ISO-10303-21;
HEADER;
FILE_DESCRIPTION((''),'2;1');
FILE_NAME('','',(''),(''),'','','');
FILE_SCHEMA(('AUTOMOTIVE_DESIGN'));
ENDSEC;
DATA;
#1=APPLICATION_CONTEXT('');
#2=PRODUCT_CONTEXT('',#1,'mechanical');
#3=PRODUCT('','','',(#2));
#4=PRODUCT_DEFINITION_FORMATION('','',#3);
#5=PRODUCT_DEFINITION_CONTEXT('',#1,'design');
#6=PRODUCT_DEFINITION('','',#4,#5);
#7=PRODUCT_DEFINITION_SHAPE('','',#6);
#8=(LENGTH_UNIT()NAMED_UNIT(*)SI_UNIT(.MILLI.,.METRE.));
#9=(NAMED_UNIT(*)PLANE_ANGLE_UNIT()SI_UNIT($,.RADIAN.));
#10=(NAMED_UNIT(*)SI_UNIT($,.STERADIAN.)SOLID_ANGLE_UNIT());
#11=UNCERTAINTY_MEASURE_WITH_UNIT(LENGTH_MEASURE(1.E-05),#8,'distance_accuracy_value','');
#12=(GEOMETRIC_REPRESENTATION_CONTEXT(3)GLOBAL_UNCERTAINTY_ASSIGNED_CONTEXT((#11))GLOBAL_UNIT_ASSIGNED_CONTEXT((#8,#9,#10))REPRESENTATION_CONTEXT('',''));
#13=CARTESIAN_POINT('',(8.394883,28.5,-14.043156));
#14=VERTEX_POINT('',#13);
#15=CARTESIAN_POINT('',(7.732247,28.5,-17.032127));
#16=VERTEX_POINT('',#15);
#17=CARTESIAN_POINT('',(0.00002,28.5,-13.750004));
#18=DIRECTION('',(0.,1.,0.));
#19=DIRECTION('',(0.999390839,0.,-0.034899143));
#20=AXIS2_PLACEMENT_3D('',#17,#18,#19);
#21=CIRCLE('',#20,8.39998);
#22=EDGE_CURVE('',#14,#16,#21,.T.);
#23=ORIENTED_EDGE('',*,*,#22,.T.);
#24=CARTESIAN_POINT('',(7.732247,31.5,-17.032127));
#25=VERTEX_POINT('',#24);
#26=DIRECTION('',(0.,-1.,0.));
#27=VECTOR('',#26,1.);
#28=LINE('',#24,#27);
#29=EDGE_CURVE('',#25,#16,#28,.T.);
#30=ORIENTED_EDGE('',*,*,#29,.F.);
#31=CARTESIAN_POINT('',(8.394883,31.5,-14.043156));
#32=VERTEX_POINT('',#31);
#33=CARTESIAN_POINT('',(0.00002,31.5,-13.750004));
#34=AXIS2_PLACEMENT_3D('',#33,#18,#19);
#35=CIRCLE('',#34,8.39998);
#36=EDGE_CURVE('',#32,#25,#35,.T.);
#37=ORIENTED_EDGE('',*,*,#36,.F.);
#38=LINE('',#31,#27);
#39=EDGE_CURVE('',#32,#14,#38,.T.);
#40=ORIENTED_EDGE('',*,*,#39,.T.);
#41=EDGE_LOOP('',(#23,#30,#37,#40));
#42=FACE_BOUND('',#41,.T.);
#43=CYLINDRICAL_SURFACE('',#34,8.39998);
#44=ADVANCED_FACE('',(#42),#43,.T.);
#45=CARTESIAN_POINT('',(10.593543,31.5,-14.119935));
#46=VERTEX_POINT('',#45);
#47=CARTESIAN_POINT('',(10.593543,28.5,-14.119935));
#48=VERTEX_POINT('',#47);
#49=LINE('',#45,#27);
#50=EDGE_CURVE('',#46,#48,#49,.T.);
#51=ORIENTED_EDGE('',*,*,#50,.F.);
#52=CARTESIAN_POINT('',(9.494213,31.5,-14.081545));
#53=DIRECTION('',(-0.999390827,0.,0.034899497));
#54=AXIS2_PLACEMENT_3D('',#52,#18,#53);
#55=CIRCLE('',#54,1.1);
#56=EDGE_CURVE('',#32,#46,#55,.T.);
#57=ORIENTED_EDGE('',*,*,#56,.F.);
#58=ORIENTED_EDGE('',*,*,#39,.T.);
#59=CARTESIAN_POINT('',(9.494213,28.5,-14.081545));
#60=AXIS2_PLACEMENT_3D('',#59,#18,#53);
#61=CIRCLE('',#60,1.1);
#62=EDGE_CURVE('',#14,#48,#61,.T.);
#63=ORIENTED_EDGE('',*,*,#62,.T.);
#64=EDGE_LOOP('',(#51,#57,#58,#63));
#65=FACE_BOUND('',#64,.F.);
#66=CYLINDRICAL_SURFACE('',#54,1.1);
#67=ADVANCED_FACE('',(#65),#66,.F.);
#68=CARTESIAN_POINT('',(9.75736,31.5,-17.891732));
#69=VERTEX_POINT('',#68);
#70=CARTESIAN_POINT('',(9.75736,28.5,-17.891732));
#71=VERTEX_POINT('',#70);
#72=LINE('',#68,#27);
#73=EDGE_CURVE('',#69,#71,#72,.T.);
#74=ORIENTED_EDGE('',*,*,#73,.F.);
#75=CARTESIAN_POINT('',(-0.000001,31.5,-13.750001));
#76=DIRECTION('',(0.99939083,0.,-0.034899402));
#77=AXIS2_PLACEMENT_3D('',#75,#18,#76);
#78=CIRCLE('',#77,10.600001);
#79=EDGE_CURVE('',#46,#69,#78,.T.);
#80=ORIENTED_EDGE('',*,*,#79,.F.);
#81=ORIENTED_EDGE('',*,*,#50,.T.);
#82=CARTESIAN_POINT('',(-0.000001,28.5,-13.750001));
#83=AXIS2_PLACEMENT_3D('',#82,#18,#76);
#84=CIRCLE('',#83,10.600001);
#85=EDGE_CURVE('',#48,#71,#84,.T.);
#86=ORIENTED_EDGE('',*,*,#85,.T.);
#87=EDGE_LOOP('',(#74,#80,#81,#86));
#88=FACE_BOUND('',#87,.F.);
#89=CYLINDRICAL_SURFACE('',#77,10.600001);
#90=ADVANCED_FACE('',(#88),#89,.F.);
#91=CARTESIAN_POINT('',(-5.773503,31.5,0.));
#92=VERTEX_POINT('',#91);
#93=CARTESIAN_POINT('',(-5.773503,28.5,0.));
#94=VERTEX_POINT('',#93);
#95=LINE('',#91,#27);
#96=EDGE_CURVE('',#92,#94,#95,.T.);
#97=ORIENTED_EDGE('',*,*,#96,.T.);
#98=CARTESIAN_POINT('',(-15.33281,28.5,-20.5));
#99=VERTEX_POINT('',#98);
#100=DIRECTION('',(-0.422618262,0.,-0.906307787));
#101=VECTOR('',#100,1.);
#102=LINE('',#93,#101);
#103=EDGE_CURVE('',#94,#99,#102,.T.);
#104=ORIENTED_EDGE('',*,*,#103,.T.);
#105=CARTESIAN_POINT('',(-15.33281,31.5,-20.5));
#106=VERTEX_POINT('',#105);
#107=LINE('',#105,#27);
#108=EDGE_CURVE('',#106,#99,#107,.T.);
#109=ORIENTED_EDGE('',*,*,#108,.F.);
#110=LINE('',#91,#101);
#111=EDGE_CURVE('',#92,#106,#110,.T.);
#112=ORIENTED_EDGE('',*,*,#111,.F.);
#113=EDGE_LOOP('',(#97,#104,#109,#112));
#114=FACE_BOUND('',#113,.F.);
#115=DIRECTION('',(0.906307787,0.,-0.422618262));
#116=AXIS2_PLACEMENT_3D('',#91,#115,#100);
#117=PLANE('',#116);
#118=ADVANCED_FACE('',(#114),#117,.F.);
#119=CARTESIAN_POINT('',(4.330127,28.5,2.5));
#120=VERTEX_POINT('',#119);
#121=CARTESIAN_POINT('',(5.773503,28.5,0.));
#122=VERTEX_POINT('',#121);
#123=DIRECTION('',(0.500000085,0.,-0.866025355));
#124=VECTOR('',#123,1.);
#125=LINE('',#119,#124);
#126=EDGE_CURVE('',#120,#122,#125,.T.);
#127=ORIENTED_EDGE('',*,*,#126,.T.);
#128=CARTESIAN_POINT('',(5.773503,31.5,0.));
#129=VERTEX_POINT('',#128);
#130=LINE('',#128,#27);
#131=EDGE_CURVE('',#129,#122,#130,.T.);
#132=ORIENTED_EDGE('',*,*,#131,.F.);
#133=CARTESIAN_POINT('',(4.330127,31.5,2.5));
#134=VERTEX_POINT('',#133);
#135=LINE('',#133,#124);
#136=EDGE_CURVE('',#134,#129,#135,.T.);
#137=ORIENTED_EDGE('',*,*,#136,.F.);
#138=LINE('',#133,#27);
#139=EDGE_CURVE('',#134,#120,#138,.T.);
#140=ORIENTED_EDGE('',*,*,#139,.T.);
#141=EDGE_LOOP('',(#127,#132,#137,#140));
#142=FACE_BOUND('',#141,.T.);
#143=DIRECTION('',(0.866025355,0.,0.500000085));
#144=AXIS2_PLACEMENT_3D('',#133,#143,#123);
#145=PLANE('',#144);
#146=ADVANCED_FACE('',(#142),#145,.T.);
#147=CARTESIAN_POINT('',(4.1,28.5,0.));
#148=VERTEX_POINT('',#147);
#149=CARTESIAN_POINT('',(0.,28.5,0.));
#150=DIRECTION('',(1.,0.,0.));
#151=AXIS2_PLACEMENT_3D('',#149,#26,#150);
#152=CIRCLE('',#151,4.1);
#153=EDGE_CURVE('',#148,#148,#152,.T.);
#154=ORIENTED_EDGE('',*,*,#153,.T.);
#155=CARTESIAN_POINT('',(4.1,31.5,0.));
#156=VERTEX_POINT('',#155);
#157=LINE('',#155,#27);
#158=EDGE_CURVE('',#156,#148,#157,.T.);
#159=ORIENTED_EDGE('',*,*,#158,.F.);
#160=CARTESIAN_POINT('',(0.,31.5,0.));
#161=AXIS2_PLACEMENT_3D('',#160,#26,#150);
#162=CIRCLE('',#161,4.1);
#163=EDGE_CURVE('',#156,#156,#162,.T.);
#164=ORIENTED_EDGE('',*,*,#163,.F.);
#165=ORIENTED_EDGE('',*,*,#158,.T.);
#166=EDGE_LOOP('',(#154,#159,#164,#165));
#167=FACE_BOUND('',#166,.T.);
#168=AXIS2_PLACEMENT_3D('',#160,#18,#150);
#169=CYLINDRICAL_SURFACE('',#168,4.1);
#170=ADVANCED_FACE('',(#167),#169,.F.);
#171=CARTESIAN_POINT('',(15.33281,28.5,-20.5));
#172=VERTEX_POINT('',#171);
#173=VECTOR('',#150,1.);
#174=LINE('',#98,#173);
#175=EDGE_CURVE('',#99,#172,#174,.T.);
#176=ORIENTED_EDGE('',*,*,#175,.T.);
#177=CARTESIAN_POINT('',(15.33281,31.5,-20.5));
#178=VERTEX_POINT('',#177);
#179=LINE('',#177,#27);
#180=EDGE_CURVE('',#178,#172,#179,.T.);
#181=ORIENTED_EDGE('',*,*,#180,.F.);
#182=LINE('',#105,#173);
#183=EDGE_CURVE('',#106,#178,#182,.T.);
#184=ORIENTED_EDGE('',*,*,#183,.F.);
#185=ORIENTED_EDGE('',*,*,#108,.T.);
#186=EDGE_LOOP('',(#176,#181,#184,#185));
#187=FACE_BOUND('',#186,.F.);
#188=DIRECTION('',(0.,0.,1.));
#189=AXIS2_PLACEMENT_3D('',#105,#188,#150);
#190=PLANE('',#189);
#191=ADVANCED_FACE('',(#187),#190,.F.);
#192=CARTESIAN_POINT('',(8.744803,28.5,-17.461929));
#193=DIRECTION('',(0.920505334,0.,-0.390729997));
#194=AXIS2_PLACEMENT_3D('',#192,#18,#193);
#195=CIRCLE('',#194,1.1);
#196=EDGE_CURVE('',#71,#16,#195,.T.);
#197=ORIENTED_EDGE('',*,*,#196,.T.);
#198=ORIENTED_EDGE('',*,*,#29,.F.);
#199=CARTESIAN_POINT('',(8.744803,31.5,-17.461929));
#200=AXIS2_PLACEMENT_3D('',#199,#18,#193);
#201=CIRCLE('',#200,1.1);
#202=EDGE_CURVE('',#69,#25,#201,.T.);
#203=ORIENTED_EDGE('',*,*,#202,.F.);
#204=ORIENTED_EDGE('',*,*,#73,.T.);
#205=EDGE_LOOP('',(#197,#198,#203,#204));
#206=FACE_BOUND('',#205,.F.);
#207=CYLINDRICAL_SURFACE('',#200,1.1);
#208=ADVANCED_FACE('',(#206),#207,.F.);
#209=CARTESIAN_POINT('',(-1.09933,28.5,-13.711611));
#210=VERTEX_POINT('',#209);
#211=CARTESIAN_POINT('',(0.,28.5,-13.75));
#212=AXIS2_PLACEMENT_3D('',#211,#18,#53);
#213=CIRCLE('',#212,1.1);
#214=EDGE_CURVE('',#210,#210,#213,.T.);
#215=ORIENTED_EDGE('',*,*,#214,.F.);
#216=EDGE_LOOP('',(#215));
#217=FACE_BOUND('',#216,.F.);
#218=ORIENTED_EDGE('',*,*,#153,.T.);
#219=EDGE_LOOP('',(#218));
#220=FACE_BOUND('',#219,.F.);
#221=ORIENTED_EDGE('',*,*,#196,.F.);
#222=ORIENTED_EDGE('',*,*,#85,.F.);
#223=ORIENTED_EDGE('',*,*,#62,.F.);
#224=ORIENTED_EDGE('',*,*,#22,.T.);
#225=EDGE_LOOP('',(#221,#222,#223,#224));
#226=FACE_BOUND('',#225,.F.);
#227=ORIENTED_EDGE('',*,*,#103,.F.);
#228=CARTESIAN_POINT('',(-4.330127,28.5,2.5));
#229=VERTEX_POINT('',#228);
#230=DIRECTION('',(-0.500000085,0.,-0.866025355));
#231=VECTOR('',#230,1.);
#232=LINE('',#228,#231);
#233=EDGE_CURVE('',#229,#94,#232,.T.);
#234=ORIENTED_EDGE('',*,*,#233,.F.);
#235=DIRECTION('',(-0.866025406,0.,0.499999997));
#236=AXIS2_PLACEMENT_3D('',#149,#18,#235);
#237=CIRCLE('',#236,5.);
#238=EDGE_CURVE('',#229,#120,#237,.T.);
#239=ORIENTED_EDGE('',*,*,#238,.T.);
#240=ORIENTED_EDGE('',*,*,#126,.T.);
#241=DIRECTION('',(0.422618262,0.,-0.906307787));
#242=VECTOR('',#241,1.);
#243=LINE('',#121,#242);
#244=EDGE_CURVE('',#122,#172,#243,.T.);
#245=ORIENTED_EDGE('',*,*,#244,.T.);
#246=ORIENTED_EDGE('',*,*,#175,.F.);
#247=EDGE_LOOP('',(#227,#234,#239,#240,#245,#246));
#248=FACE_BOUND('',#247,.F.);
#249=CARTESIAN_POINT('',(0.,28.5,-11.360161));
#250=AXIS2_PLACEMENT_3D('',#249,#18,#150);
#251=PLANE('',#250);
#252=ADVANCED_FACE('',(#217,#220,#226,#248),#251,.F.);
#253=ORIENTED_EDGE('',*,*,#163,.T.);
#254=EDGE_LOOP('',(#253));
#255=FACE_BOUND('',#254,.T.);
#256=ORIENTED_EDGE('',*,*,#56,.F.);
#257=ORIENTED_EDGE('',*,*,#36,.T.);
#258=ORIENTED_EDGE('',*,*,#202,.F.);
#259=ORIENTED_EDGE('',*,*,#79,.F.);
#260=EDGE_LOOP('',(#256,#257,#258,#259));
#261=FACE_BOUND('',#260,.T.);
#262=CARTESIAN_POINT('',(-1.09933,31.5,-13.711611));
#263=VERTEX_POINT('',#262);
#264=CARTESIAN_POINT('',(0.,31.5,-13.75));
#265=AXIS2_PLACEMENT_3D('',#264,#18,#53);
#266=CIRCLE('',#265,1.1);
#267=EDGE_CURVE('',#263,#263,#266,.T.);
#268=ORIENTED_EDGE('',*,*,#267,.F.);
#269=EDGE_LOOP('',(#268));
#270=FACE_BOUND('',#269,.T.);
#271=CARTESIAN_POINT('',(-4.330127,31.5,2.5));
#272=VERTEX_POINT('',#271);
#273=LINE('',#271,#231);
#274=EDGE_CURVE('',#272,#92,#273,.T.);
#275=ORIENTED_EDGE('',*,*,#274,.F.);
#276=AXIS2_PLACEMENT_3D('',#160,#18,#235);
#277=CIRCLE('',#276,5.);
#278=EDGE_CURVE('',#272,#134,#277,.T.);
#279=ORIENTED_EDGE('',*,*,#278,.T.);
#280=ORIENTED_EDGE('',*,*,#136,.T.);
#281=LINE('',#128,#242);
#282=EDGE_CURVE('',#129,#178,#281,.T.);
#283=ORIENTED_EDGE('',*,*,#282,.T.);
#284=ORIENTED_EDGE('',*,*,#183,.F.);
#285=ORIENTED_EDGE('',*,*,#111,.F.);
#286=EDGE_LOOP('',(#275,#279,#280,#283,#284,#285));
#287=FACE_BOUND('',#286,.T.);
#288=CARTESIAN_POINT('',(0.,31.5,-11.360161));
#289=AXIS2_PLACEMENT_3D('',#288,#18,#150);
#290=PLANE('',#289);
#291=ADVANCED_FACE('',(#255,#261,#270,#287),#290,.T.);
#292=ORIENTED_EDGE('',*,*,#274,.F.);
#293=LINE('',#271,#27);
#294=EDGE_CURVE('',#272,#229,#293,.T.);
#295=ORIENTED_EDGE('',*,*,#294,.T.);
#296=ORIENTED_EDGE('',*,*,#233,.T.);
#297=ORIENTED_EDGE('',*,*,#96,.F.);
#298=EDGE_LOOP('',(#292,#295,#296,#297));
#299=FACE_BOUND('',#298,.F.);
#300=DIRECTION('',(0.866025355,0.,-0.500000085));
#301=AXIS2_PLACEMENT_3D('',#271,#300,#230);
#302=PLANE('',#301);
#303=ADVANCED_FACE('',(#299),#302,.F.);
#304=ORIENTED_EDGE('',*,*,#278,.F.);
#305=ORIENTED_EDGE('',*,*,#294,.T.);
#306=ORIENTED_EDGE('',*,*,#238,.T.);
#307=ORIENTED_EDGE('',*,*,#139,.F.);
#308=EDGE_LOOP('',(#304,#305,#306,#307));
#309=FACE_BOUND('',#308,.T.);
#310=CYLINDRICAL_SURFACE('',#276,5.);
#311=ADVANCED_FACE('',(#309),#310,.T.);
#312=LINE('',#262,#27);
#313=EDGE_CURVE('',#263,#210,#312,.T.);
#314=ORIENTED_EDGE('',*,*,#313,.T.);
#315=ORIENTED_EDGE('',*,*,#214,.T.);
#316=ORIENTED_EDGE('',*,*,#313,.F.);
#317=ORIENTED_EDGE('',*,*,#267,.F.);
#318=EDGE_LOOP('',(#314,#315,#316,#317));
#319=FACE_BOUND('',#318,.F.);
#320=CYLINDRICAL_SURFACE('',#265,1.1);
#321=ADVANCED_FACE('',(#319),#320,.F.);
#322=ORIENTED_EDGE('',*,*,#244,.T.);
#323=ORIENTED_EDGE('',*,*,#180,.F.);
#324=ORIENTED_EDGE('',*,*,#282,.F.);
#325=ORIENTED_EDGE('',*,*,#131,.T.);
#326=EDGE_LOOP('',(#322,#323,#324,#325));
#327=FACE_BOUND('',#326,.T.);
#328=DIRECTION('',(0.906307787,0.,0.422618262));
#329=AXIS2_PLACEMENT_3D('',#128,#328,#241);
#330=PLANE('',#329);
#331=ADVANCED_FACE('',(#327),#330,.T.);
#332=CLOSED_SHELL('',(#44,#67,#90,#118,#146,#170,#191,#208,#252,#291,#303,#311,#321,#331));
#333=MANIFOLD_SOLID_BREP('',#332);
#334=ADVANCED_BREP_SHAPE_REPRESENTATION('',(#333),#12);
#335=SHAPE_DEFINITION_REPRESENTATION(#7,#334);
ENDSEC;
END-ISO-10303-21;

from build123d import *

# Parameters (mm, degrees)
SKETCH006_R                = 1.1
EXTRUDE007_DEPTH           = 3
EXTRUDE007_PLACEMENT_ANGLE = 180
FUSION006_PLACEMENT_ANGLE  = 2
CYLINDER007_R              = 4.1
CYLINDER007_DEPTH          = 3
EXTRUDE005_DEPTH           = 3


with BuildPart() as bearingcoupler_limitswitchmount:
    # Sketch006 → Extrude007 (new body)
    with BuildSketch(Plane.XZ):
        Circle(SKETCH006_R)
        with BuildLine():
            ThreePointArc((-8.4, 0), (-8.259343, -1.53077), (-7.842081, -3.010276))
            ThreePointArc((-9.89596, -3.798682), (-8.474818, -4.431418), (-7.842081, -3.010276))
            ThreePointArc((-10.6, 0), (-10.422504, -1.931687), (-9.89596, -3.798682))
            ThreePointArc((-8.4, 0), (-9.5, 1.1), (-10.6, 0))
        make_face()
    extrude(amount=-EXTRUDE007_DEPTH)


with BuildPart() as bearingcoupler_limitswitchmount_1:
    # Extrude007 placement: moved
    add(bearingcoupler_limitswitchmount.part.rotate(Axis((0, 0, 0), (0, 0, 1)), EXTRUDE007_PLACEMENT_ANGLE))


with BuildPart() as bearingcoupler_limitswitchmount_2:
    # Fusion006 placement: moved
    add(bearingcoupler_limitswitchmount_1.part.moved(Location((0, 0, -13.75))).rotate(Axis((0, 0, -13.75), (0, 1, 0)), FUSION006_PLACEMENT_ANGLE))


with BuildPart() as bearingcoupler_bearinghole:
    # Cylinder007 → Cylinder007 (new body)
    with BuildSketch(Plane.XZ):
        Circle(CYLINDER007_R)
    extrude(amount=CYLINDER007_DEPTH)


with BuildPart() as cut013:
    # Sketch004 → Extrude005 (new body)
    with BuildSketch(Plane(origin=(0, 0, 0), x_dir=(1, 0, 0), z_dir=(0, 1, 0))):
        with BuildLine():
            ThreePointArc((-4.330127, -2.5), (0, -5), (4.330127, -2.5))
            Line((4.330127, -2.5), (5.773503, 0))
            Line((5.773503, 0), (15.33281, 20.5))
            Line((-15.33281, 20.5), (15.33281, 20.5))
            Line((-5.773503, 0), (-15.33281, 20.5))
            Line((-4.330127, -2.5), (-5.773503, 0))
        make_face()
    extrude(amount=-EXTRUDE005_DEPTH)

    # Cut006: cut bearingCoupler_bearingHole
    add(bearingcoupler_bearinghole.part, mode=Mode.SUBTRACT)

    # Cut013: cut bearingCoupler_limitSwitchMount
    add(bearingcoupler_limitswitchmount_2.part, mode=Mode.SUBTRACT)


with BuildPart() as cut013_1:
    # Cut013 placement: moved
    add(cut013.part.moved(Location((0, 31.5, 0))))


solid = cut013_1.part
